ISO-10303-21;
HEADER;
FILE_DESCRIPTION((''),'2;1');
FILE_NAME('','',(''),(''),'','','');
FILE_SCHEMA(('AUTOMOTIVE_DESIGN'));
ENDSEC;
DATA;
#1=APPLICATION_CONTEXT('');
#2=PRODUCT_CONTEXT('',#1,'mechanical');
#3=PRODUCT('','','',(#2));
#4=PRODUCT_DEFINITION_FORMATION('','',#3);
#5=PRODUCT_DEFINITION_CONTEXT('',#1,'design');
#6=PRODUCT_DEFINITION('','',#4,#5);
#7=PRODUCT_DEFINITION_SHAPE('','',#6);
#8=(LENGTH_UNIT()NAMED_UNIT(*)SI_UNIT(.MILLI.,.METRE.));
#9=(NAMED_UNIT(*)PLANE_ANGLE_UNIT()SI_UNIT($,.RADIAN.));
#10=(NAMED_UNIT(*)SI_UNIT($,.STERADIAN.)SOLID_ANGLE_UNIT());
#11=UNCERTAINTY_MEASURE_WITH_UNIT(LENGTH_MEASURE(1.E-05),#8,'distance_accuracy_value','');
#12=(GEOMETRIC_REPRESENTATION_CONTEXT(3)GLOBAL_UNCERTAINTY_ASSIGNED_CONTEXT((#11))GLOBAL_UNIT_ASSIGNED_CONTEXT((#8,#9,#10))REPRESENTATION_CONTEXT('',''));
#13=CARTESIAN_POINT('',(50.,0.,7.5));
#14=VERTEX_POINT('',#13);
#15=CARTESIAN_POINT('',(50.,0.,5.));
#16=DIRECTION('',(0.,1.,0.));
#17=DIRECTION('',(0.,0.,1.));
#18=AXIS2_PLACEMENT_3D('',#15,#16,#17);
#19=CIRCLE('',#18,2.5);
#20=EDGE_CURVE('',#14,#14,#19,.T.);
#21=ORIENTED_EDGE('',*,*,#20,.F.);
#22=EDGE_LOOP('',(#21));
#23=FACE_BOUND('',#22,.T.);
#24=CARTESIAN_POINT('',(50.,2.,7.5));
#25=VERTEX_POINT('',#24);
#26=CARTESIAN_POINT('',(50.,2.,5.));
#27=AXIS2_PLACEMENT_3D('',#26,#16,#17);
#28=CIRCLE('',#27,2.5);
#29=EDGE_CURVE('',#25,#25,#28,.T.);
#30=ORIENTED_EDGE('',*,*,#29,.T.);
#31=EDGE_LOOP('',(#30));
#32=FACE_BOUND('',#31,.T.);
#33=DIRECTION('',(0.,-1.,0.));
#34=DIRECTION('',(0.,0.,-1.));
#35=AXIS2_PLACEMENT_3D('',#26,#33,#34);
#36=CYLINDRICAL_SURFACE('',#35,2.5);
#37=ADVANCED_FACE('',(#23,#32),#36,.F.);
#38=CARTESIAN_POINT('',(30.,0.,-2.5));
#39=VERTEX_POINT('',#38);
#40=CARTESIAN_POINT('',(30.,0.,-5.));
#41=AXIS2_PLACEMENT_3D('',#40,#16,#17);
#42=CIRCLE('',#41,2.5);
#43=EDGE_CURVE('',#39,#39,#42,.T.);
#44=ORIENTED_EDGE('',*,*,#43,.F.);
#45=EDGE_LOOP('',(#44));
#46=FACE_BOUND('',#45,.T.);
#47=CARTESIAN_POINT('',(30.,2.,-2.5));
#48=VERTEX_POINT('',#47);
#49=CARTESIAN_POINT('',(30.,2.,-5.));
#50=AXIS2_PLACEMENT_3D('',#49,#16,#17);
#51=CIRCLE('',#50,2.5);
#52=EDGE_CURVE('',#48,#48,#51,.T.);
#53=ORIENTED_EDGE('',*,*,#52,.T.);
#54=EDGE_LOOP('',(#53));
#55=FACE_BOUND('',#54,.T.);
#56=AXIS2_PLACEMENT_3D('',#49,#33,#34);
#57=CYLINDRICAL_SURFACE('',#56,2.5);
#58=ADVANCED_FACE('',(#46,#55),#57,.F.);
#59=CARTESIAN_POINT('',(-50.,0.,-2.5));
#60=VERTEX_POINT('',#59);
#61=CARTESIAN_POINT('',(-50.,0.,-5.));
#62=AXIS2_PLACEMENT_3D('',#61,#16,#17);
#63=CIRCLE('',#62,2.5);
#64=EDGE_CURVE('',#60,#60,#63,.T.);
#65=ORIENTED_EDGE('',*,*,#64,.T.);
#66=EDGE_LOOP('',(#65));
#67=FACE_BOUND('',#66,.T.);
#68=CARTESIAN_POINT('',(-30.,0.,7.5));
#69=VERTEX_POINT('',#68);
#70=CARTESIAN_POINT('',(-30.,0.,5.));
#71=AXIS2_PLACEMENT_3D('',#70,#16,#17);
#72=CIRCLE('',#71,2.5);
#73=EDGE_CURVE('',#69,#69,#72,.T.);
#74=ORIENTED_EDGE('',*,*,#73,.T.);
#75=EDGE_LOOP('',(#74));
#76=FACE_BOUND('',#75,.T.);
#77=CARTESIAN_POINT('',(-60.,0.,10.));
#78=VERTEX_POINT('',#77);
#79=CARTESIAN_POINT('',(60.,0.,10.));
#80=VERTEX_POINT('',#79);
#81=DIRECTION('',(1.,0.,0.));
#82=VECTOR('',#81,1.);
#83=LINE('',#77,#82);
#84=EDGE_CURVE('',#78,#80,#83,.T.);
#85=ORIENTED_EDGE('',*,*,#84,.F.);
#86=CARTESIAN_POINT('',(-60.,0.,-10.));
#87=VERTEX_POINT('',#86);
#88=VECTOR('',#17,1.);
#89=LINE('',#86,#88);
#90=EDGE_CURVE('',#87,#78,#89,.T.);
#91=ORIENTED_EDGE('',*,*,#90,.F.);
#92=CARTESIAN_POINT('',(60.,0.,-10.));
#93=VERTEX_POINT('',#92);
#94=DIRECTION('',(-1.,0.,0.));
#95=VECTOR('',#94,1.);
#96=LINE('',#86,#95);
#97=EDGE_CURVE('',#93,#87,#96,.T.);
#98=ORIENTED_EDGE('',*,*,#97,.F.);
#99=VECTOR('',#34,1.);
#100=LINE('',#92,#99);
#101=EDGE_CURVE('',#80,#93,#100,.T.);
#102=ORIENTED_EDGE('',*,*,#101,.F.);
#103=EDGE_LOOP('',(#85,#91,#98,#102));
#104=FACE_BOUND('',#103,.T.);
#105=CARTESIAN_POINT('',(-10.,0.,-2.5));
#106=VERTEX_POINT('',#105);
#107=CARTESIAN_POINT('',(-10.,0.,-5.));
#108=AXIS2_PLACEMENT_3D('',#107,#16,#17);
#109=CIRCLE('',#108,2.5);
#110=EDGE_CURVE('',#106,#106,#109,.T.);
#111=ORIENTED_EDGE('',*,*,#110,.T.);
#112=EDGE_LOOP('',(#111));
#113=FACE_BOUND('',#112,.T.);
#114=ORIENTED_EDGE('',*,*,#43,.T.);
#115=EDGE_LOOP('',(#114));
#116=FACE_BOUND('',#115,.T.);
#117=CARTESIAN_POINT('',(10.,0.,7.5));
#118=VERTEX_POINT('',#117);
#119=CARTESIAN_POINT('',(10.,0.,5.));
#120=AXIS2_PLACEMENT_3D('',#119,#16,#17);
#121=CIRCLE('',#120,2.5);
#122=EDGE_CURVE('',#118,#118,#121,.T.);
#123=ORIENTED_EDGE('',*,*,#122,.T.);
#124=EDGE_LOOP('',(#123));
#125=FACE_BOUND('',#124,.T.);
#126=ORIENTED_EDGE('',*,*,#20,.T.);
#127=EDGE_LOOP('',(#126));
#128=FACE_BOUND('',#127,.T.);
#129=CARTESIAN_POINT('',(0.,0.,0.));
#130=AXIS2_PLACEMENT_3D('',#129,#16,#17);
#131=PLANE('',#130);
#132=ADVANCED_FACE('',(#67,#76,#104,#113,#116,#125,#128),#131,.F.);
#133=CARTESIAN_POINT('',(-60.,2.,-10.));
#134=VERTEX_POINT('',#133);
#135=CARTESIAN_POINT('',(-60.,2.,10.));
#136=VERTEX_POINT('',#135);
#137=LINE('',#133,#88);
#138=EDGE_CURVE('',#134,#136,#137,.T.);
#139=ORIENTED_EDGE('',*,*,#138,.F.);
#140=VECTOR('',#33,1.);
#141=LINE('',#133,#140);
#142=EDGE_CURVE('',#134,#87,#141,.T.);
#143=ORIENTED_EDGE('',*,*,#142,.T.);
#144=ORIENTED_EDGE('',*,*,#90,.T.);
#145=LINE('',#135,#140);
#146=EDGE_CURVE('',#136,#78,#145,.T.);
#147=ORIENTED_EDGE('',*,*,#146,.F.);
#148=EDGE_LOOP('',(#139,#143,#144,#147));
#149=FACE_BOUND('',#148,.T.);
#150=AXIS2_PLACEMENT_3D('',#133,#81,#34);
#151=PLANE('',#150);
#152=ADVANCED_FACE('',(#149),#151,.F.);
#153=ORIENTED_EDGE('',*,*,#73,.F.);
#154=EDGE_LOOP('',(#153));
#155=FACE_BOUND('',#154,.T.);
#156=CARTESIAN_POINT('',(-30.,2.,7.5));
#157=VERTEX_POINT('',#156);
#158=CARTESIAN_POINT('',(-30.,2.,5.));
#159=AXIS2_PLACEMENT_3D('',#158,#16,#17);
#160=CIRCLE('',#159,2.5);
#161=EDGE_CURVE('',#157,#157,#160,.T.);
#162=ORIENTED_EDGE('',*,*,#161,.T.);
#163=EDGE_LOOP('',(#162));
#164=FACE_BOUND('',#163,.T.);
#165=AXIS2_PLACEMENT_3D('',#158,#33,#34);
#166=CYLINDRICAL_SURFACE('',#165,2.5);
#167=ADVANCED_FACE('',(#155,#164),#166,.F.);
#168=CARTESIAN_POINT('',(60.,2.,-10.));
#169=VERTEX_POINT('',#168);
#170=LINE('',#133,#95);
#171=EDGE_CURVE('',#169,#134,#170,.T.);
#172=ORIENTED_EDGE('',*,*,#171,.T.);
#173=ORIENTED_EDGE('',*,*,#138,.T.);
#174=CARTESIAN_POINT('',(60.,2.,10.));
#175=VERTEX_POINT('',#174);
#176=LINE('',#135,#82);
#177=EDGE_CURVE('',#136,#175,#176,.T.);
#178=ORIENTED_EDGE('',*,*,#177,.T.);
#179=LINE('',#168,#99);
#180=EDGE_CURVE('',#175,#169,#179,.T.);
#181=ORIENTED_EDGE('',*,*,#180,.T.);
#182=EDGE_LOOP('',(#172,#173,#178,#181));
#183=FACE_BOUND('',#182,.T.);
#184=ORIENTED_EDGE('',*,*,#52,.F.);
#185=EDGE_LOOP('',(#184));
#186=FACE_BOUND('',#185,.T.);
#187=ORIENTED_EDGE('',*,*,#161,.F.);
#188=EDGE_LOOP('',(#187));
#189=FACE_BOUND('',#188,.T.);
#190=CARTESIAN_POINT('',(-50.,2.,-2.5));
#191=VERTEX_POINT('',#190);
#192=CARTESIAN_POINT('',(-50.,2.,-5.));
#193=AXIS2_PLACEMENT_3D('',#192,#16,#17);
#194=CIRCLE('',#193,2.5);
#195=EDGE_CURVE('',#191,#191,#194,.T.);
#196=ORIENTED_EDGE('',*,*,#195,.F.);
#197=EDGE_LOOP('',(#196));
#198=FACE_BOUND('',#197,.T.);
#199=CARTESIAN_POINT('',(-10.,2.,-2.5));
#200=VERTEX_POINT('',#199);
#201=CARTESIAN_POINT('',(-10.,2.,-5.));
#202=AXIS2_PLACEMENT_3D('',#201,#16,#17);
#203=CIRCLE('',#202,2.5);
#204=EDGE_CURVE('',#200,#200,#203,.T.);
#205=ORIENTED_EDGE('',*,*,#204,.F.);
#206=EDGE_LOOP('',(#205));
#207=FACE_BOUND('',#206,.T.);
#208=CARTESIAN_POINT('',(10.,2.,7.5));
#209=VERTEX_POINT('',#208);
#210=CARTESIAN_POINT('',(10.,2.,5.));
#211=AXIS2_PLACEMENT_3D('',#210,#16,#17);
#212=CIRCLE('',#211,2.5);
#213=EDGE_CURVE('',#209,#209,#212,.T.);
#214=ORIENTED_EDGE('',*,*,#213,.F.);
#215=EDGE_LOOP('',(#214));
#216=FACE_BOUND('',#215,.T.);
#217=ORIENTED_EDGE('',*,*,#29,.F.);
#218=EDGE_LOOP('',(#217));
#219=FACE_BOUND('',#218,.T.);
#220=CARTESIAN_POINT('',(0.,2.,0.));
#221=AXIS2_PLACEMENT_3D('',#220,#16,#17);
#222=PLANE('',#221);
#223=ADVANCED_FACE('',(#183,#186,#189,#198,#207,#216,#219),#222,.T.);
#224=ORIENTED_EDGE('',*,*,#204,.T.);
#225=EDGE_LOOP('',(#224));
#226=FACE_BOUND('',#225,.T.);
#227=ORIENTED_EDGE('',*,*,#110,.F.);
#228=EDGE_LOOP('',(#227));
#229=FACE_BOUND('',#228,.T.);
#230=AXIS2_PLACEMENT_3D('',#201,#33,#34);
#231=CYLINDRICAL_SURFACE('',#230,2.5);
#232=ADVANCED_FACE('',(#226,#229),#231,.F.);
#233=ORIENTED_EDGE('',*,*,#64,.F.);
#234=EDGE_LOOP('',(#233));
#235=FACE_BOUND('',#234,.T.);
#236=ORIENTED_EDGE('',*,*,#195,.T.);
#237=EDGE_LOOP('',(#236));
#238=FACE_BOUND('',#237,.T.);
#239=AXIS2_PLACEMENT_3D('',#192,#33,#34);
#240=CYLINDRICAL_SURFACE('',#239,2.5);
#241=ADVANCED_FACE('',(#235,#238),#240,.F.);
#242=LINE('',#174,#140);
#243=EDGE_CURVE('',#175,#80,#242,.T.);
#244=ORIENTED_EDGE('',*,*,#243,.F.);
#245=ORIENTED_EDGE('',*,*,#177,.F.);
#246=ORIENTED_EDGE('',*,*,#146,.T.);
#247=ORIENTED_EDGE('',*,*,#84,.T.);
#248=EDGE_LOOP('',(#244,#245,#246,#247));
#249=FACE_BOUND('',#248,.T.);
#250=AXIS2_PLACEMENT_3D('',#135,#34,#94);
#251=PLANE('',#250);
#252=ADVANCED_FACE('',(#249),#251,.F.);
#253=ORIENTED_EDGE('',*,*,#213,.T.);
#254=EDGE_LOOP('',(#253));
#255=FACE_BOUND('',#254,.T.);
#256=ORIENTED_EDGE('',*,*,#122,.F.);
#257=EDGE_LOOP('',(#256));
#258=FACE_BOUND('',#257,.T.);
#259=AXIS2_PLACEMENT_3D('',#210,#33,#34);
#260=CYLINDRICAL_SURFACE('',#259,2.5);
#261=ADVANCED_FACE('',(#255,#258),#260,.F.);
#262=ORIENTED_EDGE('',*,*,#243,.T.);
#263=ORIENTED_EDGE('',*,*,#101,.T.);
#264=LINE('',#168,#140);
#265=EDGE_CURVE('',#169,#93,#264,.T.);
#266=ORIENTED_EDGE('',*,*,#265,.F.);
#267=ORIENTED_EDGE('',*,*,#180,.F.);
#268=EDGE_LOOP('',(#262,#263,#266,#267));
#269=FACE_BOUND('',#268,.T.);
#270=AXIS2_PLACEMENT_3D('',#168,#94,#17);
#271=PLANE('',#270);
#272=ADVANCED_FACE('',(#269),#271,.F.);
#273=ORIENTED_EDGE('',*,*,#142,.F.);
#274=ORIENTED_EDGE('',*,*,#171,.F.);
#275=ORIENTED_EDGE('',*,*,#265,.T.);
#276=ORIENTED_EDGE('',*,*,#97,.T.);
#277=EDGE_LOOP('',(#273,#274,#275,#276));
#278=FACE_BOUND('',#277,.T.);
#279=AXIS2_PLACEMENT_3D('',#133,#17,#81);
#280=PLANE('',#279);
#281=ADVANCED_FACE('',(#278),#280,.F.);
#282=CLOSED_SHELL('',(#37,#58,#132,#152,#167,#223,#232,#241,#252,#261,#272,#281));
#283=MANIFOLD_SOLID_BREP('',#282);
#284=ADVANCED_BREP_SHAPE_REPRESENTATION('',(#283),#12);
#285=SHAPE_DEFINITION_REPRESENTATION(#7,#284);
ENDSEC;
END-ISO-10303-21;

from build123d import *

# Parameters (mm, degrees)
SKETCH_2_W      = 120
SKETCH_2_H      = 20
SKETCH_2_R      = 2.5
EXTRUDE_1_DEPTH = 2


with BuildPart() as part:
    # Эскиз2 → Бобышка-Вытянуть1 (new body)
    with BuildSketch(Plane(origin=(0, 0, 0), x_dir=(1, 0, 0), z_dir=(0, 1, 0))):
        Rectangle(SKETCH_2_W, SKETCH_2_H)
        with Locations(Location((-50, 5, 0), (0, 0, 270))):
            Circle(SKETCH_2_R, mode=Mode.SUBTRACT)
        with Locations(Location((-10, 5, 0), (0, 0, 270))):
            Circle(SKETCH_2_R, mode=Mode.SUBTRACT)
        with Locations(Location((30, 5, 0), (0, 0, 270))):
            Circle(SKETCH_2_R, mode=Mode.SUBTRACT)
        with Locations(Location((-30, -5, 0), (0, 0, 270))):
            Circle(SKETCH_2_R, mode=Mode.SUBTRACT)
        with Locations(Location((10, -5, 0), (0, 0, 270))):
            Circle(SKETCH_2_R, mode=Mode.SUBTRACT)
        with Locations(Location((50, -5, 0), (0, 0, 270))):
            Circle(SKETCH_2_R, mode=Mode.SUBTRACT)
    extrude(amount=EXTRUDE_1_DEPTH)


solid = part.part
